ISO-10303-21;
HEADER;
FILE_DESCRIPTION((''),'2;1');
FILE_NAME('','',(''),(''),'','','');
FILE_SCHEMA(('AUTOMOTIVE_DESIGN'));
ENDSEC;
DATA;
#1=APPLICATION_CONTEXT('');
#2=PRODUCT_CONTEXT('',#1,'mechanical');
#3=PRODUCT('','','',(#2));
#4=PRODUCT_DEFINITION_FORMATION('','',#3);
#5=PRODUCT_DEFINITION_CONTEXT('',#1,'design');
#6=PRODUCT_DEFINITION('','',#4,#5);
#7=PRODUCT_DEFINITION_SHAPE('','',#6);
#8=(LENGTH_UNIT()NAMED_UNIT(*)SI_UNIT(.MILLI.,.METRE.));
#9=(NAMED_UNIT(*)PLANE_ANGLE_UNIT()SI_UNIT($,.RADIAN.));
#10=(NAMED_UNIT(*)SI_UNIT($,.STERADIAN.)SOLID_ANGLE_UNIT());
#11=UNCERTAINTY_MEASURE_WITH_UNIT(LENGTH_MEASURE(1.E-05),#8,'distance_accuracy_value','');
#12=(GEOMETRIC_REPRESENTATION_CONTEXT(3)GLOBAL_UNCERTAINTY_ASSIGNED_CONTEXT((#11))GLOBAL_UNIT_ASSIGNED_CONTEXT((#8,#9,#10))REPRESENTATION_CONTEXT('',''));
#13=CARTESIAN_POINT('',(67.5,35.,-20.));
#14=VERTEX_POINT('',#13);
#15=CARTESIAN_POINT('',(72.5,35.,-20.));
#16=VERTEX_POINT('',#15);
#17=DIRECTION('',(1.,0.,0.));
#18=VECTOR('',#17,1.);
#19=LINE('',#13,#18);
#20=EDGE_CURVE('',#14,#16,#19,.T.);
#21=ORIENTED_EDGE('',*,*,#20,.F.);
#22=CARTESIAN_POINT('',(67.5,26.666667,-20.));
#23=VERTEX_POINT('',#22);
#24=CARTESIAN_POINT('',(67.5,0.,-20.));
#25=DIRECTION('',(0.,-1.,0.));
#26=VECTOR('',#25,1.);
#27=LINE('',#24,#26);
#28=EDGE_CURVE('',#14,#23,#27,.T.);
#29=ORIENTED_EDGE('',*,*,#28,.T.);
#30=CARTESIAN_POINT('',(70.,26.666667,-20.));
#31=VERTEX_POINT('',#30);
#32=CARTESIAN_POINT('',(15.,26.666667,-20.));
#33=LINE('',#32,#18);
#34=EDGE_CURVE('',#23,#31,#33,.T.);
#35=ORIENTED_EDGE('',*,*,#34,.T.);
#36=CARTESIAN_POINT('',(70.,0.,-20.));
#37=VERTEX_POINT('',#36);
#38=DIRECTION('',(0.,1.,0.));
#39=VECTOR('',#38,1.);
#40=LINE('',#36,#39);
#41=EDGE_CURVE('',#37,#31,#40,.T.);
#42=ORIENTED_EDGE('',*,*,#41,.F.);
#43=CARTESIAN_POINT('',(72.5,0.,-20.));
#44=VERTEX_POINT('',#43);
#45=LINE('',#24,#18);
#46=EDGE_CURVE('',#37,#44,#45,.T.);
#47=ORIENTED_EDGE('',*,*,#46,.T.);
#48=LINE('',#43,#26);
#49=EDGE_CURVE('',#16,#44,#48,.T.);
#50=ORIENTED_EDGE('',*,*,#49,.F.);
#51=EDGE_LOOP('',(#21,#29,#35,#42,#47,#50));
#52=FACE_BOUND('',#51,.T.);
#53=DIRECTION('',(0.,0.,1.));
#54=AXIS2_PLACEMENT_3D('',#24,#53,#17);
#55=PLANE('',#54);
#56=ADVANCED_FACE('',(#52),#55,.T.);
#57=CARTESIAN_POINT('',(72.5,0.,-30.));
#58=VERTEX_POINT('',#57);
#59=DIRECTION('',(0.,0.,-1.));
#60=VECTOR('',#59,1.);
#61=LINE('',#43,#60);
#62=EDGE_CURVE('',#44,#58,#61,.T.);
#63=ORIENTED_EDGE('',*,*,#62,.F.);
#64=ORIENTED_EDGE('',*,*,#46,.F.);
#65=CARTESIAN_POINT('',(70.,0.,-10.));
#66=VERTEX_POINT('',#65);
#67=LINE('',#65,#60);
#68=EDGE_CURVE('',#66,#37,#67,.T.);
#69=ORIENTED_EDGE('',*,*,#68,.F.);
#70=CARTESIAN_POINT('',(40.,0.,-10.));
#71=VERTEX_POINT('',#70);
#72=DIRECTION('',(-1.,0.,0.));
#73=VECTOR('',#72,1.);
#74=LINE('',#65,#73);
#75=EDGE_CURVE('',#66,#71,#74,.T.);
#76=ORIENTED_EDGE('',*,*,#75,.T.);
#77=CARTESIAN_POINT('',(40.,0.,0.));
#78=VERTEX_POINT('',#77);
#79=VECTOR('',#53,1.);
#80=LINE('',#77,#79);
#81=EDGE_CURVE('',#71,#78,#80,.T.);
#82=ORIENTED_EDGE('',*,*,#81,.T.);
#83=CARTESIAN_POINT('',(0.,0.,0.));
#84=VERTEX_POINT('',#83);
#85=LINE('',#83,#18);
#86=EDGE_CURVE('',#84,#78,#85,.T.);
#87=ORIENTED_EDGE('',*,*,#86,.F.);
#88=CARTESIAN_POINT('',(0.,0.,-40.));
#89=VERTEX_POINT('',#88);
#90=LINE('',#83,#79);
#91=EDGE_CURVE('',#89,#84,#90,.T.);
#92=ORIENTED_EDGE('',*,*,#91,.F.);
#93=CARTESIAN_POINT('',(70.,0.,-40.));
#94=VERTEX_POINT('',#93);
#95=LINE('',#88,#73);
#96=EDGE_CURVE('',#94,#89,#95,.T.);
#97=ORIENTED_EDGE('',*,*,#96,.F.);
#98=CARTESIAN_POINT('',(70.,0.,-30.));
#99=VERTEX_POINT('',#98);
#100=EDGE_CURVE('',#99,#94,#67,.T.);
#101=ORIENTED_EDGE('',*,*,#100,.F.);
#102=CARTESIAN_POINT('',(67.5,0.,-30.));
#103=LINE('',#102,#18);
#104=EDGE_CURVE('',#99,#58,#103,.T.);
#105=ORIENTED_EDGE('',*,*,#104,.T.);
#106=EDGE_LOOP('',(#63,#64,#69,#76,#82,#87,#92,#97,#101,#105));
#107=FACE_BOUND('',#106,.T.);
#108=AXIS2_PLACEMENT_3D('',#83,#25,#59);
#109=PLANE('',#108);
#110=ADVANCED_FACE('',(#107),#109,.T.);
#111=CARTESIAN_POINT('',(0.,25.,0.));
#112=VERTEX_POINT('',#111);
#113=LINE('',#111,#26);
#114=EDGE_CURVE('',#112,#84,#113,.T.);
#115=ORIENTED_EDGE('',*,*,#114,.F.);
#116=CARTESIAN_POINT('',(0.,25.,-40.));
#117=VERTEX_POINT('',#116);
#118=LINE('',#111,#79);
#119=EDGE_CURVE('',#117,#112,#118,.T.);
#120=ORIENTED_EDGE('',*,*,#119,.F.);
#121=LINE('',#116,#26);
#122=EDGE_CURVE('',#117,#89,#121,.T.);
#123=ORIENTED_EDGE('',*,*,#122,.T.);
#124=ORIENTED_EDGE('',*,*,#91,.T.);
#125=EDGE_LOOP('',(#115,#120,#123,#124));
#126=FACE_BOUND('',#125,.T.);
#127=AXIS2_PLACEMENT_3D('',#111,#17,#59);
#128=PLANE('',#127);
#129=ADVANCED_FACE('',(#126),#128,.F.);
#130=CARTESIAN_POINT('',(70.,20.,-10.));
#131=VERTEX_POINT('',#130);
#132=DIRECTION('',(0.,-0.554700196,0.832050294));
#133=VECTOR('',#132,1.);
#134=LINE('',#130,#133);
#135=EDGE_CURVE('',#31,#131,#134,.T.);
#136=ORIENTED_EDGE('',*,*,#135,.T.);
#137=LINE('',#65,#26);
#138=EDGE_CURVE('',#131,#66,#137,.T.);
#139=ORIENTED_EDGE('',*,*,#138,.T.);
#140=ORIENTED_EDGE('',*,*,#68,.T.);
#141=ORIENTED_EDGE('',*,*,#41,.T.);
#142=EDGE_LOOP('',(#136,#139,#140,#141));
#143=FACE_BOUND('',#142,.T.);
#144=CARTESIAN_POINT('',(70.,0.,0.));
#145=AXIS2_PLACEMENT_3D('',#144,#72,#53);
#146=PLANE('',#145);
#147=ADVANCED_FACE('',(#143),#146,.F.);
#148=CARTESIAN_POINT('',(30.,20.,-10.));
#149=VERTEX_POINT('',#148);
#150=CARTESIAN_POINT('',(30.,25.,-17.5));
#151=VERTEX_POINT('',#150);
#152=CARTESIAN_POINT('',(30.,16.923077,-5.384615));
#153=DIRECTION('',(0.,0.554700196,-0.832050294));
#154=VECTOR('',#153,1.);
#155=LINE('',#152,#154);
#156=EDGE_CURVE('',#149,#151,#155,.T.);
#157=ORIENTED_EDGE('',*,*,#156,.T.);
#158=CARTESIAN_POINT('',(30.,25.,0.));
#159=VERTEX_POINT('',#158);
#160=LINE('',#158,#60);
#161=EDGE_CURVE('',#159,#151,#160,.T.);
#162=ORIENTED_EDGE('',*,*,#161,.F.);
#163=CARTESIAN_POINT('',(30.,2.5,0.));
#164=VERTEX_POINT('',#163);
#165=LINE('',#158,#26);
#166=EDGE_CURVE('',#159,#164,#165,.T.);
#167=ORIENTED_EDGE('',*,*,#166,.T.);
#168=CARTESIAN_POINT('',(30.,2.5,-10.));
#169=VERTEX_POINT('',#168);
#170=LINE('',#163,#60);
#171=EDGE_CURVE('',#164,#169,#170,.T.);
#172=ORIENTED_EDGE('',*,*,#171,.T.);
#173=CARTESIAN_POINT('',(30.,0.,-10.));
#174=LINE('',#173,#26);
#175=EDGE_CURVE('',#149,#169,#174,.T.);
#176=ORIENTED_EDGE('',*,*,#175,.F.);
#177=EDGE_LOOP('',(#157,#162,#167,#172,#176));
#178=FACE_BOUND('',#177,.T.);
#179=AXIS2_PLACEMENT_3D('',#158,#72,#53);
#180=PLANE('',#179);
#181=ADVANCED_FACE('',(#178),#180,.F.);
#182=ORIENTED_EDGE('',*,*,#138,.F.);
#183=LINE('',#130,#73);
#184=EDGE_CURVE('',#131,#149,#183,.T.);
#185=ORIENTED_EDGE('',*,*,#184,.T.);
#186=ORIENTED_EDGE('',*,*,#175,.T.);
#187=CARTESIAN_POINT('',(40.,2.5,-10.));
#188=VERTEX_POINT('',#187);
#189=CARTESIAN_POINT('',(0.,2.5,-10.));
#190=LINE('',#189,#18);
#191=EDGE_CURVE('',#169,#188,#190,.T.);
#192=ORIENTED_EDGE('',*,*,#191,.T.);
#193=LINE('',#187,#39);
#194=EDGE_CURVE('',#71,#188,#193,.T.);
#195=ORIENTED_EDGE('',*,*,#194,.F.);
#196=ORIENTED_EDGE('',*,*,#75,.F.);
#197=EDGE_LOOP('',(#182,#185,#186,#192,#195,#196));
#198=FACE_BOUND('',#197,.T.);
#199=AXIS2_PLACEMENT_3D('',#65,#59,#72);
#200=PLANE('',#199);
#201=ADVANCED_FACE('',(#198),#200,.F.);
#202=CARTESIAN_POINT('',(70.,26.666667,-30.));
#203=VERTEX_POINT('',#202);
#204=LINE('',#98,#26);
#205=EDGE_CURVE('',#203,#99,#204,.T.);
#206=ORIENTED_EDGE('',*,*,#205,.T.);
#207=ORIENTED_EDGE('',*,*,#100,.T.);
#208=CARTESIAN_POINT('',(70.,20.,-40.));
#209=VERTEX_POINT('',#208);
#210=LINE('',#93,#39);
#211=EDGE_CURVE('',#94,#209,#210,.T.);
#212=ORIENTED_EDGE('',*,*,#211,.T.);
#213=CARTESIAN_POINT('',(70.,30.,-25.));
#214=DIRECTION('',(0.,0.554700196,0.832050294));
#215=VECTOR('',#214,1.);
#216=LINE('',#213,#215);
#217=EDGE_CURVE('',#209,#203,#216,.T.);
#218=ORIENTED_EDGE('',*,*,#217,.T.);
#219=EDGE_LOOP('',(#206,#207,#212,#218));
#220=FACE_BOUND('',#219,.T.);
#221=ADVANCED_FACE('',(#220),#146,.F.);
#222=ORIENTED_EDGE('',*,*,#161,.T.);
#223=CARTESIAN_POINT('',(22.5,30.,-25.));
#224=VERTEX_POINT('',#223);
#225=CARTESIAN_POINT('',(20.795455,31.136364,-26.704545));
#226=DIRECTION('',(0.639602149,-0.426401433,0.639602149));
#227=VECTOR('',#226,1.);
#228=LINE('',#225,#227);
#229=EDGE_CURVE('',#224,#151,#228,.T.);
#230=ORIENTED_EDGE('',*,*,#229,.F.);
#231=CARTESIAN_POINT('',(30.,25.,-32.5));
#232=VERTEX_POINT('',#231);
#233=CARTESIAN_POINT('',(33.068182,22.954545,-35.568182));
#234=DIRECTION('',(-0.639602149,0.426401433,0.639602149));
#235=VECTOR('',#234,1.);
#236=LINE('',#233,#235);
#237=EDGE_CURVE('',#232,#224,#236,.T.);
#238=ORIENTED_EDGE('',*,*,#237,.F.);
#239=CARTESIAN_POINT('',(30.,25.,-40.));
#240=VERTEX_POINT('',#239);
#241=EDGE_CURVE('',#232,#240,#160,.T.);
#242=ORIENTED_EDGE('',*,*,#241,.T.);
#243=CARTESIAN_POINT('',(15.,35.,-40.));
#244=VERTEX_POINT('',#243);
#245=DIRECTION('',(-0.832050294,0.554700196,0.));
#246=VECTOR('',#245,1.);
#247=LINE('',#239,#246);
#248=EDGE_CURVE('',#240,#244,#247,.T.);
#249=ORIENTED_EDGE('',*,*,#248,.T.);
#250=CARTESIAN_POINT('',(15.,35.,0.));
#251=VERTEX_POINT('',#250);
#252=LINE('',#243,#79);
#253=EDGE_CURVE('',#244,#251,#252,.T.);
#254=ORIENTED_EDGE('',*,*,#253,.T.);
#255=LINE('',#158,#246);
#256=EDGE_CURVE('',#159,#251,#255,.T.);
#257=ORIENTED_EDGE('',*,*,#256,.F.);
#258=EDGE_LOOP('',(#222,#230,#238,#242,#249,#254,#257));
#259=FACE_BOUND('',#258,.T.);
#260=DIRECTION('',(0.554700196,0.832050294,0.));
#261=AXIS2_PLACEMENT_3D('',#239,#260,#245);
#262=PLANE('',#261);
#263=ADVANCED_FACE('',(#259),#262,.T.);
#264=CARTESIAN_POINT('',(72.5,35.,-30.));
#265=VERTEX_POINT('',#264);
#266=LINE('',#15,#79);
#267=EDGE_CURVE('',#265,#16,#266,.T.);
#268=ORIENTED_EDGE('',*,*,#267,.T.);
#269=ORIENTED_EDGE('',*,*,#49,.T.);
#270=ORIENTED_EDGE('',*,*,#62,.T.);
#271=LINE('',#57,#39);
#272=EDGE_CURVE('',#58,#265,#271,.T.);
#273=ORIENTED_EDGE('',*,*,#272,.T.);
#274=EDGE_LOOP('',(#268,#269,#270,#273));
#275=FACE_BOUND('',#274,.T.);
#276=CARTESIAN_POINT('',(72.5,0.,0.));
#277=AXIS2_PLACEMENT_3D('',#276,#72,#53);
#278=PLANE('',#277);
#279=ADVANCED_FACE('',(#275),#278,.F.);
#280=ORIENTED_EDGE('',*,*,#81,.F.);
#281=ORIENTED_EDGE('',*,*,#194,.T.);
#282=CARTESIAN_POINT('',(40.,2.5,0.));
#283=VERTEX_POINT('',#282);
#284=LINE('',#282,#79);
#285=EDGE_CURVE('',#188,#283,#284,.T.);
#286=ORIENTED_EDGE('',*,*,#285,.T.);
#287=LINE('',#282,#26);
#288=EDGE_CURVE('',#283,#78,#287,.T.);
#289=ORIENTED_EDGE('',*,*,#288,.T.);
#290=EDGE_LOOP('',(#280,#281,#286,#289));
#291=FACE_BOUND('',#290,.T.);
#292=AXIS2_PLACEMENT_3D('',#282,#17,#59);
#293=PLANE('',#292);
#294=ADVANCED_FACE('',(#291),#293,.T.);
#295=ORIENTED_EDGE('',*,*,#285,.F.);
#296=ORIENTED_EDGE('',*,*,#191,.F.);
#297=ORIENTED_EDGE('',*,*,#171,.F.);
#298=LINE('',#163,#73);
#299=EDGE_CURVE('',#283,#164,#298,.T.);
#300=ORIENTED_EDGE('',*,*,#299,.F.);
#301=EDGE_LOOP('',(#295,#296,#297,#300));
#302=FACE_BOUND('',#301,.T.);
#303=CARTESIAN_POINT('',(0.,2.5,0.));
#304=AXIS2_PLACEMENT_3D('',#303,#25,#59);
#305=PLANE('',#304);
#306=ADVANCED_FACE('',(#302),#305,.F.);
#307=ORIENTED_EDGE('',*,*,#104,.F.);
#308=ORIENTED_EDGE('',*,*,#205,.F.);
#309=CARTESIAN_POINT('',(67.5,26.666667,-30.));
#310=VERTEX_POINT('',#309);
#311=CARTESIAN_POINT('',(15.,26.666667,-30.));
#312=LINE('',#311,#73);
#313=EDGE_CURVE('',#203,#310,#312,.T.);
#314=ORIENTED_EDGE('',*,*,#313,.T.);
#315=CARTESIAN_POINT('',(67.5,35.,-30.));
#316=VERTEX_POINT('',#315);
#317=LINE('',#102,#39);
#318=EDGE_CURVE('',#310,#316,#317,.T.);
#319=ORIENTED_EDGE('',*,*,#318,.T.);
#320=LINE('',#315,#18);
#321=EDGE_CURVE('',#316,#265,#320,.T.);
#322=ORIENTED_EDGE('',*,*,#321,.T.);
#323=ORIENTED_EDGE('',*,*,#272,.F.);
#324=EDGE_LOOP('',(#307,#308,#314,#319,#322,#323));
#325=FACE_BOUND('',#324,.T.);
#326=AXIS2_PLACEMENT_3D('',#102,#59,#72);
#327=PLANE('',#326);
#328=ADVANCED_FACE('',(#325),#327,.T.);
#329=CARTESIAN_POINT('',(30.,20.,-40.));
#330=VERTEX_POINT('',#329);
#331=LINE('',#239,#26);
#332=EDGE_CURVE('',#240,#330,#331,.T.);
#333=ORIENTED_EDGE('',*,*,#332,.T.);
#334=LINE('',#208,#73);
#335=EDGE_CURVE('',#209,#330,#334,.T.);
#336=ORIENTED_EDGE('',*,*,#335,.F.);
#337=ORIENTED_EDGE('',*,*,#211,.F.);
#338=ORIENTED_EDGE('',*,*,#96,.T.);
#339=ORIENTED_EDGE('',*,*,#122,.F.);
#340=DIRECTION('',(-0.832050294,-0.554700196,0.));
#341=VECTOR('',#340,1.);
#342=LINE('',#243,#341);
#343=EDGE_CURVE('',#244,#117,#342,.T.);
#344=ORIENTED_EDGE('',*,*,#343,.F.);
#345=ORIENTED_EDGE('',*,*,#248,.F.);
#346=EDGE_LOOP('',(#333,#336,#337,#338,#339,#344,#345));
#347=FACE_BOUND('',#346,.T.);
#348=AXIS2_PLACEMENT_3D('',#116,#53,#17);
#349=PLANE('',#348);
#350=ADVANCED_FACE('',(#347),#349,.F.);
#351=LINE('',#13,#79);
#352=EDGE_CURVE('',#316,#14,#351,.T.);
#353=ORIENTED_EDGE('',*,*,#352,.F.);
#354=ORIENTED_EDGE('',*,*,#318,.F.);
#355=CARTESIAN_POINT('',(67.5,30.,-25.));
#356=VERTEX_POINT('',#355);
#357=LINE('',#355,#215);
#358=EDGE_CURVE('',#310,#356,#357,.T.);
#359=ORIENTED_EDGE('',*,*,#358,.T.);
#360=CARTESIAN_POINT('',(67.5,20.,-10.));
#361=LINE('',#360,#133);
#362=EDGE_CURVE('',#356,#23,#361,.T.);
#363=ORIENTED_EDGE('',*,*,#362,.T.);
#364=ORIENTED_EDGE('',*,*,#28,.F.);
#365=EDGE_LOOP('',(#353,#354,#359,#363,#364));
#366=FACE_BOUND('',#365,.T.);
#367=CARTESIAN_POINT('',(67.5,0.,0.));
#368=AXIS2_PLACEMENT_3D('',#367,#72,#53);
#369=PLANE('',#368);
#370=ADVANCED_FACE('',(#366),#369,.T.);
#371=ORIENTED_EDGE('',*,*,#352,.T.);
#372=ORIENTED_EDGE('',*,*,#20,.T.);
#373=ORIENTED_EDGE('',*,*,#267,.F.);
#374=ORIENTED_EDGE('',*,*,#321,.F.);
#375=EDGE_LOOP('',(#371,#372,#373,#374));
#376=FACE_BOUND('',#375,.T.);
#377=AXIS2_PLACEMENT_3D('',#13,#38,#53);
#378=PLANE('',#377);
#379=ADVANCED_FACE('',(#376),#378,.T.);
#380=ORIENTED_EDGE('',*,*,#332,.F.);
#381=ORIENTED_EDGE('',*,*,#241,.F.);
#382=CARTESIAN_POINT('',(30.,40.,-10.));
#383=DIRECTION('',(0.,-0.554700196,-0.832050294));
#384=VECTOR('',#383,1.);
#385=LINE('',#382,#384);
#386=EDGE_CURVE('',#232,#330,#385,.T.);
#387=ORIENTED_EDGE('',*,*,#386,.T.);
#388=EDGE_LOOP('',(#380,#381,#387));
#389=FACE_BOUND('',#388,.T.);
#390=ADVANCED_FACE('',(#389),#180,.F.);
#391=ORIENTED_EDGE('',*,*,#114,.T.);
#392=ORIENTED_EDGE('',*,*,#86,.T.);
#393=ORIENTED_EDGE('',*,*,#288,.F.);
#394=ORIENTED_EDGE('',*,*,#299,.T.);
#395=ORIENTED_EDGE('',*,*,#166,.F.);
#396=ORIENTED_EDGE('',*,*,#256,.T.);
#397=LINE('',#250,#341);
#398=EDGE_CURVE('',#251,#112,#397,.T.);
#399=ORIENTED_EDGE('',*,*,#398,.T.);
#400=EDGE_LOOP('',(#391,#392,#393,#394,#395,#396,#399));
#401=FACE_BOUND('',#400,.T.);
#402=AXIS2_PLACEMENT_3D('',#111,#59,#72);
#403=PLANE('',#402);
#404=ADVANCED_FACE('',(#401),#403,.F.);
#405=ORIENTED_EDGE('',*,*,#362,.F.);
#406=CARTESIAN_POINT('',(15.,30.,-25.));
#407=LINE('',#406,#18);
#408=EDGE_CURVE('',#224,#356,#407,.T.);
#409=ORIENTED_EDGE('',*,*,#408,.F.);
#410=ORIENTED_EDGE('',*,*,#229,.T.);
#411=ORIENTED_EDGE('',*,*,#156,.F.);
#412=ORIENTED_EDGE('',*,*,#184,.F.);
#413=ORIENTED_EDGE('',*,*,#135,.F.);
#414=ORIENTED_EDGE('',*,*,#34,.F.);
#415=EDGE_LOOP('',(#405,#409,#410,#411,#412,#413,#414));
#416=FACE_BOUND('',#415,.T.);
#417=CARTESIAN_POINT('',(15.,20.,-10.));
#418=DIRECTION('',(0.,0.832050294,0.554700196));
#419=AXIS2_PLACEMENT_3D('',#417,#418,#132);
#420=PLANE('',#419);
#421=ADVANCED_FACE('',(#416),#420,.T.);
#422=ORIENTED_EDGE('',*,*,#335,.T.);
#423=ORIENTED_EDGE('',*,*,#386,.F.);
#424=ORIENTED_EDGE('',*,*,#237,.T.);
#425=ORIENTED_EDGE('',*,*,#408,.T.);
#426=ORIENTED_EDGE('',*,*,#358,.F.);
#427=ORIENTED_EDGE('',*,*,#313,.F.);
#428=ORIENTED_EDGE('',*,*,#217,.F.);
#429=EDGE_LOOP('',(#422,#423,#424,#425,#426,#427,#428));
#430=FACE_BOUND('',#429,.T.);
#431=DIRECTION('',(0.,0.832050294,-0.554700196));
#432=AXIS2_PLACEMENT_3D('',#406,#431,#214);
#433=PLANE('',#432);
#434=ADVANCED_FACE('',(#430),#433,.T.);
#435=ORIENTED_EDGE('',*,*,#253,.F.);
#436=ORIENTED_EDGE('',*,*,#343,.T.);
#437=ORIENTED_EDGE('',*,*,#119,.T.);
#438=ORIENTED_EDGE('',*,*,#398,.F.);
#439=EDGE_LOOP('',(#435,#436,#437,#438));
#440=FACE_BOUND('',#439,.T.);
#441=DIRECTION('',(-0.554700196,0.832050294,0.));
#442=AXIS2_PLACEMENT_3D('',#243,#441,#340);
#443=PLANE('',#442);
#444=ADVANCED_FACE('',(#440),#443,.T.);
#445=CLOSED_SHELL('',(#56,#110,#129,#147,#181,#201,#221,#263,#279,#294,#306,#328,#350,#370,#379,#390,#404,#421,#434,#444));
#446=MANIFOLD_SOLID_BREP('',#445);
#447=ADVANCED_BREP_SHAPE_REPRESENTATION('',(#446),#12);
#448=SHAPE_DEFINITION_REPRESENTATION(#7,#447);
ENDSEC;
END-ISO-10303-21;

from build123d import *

# Parameters (mm, degrees)
SKETCH1_W                = 30
SKETCH1_H                = 40
BOSS_EXTRUDE1_DEPTH      = 25
BOSS_EXTRUDE2_DEPTH      = 40
SKETCH3_W                = 10
SKETCH3_H                = 40
BOSS_EXTRUDE3_DEPTH      = 2.5
SKETCH4_W                = 30
SKETCH4_H                = 20
BOSS_EXTRUDE4_DEPTH      = 40
BOSS_EXTRUDE5_DEPTH      = 55
SKETCH6_W                = 10
SKETCH6_H                = 35
BOSS_EXTRUDE7_DEPTH      = 2.5
BOSS_EXTRUDE7_DEPTH_BACK = 2.5


with BuildPart() as part:
    # Sketch1 → Boss-Extrude1 (new body)
    with BuildSketch(Plane(origin=(0, 0, 0), x_dir=(1, 0, 0), z_dir=(0, 1, 0))):
        with Locations((15, 20)):
            Rectangle(SKETCH1_W, SKETCH1_H)
    extrude(amount=BOSS_EXTRUDE1_DEPTH)

    # Sketch2 → Boss-Extrude2 (add)
    with BuildSketch(Plane.XY):
        Polygon((15, 25), (30, 25), (15, 35), (0, 25), align=None)
    extrude(amount=-BOSS_EXTRUDE2_DEPTH)

    # Sketch3 → Boss-Extrude3 (add)
    with BuildSketch(Plane(origin=(0, 0, 0), x_dir=(-1, 0, 0), z_dir=(0, -1, 0))):
        with Locations((-35, 20)):
            Rectangle(SKETCH3_W, SKETCH3_H)
    extrude(amount=-BOSS_EXTRUDE3_DEPTH)

    # Sketch4 → Boss-Extrude4 (add)
    with BuildSketch(Plane(origin=(30, 0, 0), x_dir=(0, 0, -1), z_dir=(1, 0, 0))):
        with Locations((25, 10)):
            Rectangle(SKETCH4_W, SKETCH4_H)
    extrude(amount=BOSS_EXTRUDE4_DEPTH)

    # Sketch5 → Boss-Extrude5 (add)
    with BuildSketch(Plane(origin=(70, 0, 0), x_dir=(0, 0, -1), z_dir=(1, 0, 0))):
        Polygon((25, 20), (10, 20), (25, 30), (40, 20), align=None)
    extrude(amount=-BOSS_EXTRUDE5_DEPTH)

    # Sketch6 → Boss-Extrude7 (add, two sides)
    with BuildSketch(Plane(origin=(70, 0, 0), x_dir=(0, 0, -1), z_dir=(1, 0, 0))) as boss_extrude7_sk:
        with Locations((25, 17.5)):
            Rectangle(SKETCH6_W, SKETCH6_H)
    extrude(amount=BOSS_EXTRUDE7_DEPTH)
    extrude(boss_extrude7_sk.sketch, amount=-BOSS_EXTRUDE7_DEPTH_BACK)


solid = part.part
